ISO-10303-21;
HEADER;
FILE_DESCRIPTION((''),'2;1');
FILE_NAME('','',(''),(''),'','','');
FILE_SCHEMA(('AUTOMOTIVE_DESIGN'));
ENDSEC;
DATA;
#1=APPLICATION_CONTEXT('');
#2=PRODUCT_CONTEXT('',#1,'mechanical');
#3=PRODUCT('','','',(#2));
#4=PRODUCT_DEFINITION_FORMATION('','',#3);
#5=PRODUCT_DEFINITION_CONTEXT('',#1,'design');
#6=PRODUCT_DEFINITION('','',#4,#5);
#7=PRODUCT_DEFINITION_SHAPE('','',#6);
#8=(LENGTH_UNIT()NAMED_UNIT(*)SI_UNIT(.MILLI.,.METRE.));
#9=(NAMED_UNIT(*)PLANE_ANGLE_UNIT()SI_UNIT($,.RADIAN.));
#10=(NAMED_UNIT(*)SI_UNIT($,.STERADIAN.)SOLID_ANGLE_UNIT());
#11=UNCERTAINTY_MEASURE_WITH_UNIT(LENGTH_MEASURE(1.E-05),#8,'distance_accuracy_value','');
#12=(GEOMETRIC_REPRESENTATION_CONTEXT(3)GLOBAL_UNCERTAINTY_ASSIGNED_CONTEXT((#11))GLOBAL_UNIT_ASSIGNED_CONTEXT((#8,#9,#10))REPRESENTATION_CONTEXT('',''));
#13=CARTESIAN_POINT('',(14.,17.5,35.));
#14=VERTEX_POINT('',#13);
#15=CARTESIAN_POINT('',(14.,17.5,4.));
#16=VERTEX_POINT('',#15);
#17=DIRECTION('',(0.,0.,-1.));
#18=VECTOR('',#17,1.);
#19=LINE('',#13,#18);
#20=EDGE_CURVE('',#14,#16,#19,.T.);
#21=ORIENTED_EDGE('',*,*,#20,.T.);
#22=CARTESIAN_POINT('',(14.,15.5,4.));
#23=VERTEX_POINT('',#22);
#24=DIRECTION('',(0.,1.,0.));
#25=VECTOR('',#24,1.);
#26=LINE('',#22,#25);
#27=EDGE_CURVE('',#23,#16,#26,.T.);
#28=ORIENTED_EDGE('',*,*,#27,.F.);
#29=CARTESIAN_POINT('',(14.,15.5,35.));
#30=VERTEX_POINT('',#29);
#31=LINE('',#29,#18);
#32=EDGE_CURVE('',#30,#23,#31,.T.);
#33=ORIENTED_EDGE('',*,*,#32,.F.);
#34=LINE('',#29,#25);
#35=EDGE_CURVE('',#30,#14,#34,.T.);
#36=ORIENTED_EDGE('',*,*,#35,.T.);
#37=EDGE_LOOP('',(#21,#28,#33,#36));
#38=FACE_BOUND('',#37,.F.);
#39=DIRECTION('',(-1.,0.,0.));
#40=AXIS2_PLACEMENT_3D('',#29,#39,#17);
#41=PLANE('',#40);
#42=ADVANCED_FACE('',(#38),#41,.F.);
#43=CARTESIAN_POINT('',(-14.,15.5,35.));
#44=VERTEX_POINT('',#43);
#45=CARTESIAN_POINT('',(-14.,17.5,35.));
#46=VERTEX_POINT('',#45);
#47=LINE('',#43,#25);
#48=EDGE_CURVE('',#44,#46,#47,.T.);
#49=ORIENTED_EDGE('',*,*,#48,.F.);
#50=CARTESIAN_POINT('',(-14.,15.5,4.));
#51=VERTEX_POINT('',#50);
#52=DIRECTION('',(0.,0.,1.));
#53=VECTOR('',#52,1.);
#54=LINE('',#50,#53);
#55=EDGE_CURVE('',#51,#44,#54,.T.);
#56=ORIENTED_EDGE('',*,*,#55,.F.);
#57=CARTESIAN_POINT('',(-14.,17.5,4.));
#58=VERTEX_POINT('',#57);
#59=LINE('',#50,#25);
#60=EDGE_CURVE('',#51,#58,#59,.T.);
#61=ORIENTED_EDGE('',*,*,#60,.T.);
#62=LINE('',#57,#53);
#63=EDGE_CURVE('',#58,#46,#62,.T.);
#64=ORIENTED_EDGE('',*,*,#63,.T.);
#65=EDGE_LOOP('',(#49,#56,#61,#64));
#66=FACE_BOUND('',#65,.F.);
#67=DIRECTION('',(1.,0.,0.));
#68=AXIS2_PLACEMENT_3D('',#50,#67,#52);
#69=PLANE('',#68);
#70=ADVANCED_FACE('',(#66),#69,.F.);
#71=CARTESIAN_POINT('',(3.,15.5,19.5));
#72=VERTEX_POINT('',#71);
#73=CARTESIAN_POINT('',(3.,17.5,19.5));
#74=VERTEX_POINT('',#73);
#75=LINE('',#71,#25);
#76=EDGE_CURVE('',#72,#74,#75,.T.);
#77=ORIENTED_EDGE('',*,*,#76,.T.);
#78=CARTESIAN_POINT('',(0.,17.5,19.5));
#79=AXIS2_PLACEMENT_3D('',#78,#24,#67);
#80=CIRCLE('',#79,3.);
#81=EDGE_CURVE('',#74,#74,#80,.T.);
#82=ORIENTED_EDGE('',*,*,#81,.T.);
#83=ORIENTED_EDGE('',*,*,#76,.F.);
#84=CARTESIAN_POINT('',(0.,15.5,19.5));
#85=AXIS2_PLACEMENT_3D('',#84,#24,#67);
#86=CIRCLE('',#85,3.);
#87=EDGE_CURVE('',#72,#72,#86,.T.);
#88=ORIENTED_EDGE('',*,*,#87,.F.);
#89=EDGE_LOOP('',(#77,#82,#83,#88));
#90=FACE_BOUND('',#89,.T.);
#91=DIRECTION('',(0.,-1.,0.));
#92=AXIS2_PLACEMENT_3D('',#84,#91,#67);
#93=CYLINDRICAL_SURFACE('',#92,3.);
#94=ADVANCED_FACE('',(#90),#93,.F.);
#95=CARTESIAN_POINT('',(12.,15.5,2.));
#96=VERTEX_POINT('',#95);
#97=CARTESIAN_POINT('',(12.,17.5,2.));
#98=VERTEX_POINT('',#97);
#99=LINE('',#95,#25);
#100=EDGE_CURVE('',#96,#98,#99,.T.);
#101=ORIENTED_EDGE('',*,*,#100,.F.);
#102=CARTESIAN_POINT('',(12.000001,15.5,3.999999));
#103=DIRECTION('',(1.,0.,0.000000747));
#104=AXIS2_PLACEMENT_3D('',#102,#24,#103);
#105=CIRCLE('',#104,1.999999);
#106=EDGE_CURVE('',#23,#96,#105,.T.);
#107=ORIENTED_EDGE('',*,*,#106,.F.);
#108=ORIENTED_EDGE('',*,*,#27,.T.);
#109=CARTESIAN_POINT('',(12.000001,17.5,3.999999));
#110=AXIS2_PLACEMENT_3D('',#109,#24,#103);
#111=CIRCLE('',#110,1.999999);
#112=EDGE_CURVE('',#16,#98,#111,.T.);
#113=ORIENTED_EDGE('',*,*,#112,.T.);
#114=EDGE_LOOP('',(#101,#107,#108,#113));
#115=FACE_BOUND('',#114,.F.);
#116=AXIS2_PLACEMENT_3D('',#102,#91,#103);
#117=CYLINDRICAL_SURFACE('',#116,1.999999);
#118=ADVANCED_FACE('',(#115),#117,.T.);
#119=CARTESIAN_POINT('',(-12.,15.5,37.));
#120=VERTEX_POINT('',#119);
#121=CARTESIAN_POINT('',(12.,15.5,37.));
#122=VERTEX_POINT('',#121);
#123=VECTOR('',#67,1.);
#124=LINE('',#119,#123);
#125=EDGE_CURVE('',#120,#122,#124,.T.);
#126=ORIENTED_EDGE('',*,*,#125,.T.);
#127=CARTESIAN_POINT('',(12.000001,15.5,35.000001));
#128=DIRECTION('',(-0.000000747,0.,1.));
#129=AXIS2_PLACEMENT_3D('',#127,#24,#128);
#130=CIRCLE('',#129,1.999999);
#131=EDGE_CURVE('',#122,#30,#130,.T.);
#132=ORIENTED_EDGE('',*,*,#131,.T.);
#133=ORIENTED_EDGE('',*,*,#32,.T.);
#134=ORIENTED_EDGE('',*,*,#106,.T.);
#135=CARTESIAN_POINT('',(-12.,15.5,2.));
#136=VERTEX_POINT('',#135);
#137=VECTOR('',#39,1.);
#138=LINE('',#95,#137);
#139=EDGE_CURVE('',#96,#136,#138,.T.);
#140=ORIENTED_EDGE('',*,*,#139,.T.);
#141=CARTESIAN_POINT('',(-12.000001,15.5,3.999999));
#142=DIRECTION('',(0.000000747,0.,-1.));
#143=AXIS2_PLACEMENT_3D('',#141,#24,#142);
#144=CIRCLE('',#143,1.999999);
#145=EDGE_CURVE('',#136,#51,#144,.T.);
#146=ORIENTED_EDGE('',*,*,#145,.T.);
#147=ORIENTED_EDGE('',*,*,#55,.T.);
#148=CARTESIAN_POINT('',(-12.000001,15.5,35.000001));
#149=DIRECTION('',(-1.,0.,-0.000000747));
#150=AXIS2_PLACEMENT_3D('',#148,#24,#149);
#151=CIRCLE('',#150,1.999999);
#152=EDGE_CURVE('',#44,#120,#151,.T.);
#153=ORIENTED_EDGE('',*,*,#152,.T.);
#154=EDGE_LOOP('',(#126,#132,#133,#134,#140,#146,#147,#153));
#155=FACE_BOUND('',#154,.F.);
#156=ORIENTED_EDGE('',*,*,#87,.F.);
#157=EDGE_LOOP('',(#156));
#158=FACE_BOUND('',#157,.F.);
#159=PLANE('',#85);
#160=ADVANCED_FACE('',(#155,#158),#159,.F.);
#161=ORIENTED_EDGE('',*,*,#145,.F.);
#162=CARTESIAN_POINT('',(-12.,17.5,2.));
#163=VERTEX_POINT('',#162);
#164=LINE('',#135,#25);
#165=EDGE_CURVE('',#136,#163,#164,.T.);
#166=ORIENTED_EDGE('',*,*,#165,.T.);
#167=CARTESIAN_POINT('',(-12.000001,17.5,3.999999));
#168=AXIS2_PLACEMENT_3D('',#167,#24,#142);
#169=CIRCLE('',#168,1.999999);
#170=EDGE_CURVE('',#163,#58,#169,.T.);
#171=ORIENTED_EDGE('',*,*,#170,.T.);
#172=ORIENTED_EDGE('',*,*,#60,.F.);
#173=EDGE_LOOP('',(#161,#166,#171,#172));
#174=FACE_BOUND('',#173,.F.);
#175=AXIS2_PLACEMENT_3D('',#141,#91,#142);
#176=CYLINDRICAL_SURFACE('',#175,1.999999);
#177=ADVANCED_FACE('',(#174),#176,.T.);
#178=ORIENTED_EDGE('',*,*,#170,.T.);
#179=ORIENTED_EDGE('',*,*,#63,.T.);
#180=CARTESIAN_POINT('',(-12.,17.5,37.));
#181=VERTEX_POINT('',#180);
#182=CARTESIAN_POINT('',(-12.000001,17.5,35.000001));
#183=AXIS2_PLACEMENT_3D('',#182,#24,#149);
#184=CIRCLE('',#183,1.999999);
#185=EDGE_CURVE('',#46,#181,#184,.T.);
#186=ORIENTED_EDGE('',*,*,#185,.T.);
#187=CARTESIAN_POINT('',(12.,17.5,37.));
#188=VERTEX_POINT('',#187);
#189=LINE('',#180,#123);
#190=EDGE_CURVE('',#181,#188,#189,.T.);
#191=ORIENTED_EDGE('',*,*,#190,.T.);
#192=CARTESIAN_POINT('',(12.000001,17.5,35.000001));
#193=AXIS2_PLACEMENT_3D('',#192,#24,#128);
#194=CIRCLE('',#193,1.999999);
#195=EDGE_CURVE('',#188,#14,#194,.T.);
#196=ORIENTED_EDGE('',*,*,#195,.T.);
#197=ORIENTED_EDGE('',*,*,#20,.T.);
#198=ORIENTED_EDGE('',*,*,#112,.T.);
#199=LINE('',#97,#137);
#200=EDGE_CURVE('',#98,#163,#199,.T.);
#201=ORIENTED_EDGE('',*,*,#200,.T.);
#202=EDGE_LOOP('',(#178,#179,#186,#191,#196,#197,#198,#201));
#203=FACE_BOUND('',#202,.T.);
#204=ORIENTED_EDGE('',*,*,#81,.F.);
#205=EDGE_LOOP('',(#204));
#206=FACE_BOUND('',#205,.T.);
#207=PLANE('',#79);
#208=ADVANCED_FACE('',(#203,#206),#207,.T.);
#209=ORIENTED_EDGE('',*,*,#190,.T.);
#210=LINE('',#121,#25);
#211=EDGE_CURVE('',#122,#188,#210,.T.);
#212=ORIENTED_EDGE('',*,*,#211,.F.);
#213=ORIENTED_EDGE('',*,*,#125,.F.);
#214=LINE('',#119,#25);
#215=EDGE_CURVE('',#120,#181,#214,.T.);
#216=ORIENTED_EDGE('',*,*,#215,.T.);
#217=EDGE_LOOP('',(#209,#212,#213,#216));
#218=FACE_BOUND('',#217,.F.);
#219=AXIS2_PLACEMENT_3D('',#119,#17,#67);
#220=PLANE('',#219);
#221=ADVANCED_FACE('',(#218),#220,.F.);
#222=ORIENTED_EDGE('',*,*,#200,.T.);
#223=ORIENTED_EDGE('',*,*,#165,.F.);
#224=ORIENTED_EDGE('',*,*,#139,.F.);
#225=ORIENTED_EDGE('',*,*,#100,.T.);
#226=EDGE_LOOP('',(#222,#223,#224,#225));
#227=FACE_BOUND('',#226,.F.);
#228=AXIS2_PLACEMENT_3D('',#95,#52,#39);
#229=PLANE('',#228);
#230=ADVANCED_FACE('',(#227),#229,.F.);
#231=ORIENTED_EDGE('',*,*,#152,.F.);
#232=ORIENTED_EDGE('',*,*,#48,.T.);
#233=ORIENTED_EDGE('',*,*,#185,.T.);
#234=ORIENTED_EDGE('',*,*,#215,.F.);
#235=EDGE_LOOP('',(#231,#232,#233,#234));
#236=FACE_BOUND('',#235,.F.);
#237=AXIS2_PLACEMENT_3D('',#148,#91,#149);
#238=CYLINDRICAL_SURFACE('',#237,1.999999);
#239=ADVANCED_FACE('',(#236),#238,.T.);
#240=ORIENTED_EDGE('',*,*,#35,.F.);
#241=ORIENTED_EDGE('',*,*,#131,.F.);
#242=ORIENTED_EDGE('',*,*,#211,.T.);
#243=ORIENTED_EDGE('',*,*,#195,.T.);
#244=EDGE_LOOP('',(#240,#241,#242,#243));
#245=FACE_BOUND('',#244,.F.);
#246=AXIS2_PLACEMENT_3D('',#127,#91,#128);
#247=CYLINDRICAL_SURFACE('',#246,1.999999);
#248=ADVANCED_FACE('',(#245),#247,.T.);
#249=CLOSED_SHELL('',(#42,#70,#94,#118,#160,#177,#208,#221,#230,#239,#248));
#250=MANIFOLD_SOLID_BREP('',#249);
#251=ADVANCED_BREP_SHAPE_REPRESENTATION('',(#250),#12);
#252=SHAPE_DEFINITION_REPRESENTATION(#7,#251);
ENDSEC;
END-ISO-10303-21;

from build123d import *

# Parameters (mm, degrees)
F0_R     = 3
F1_DEPTH = 2
F2_ANGLE = 90


with BuildPart() as f1:
    # F0 (on Top) → F1 (new body)
    with BuildSketch(Plane.XY):
        with BuildLine():
            Line((-12, -17.5), (12, -17.5))
            ThreePointArc((12, -17.5), (13.414214, -16.914214), (14, -15.5))
            Line((14, -15.5), (14, 15.5))
            ThreePointArc((14, 15.5), (13.414214, 16.914214), (12, 17.5))
            Line((12, 17.5), (-12, 17.5))
            ThreePointArc((-12, 17.5), (-13.414214, 16.914214), (-14, 15.5))
            Line((-14, 15.5), (-14, -15.5))
            ThreePointArc((-14, -15.5), (-13.414214, -16.914214), (-12, -17.5))
        make_face()
        Circle(F0_R, mode=Mode.SUBTRACT)
    extrude(amount=F1_DEPTH)


with BuildPart() as f1_1:
    # F2: moved
    add(f1.part.rotate(Axis((0, 17.5, 2), (-1, 0, 0)), F2_ANGLE))


solid = f1_1.part
